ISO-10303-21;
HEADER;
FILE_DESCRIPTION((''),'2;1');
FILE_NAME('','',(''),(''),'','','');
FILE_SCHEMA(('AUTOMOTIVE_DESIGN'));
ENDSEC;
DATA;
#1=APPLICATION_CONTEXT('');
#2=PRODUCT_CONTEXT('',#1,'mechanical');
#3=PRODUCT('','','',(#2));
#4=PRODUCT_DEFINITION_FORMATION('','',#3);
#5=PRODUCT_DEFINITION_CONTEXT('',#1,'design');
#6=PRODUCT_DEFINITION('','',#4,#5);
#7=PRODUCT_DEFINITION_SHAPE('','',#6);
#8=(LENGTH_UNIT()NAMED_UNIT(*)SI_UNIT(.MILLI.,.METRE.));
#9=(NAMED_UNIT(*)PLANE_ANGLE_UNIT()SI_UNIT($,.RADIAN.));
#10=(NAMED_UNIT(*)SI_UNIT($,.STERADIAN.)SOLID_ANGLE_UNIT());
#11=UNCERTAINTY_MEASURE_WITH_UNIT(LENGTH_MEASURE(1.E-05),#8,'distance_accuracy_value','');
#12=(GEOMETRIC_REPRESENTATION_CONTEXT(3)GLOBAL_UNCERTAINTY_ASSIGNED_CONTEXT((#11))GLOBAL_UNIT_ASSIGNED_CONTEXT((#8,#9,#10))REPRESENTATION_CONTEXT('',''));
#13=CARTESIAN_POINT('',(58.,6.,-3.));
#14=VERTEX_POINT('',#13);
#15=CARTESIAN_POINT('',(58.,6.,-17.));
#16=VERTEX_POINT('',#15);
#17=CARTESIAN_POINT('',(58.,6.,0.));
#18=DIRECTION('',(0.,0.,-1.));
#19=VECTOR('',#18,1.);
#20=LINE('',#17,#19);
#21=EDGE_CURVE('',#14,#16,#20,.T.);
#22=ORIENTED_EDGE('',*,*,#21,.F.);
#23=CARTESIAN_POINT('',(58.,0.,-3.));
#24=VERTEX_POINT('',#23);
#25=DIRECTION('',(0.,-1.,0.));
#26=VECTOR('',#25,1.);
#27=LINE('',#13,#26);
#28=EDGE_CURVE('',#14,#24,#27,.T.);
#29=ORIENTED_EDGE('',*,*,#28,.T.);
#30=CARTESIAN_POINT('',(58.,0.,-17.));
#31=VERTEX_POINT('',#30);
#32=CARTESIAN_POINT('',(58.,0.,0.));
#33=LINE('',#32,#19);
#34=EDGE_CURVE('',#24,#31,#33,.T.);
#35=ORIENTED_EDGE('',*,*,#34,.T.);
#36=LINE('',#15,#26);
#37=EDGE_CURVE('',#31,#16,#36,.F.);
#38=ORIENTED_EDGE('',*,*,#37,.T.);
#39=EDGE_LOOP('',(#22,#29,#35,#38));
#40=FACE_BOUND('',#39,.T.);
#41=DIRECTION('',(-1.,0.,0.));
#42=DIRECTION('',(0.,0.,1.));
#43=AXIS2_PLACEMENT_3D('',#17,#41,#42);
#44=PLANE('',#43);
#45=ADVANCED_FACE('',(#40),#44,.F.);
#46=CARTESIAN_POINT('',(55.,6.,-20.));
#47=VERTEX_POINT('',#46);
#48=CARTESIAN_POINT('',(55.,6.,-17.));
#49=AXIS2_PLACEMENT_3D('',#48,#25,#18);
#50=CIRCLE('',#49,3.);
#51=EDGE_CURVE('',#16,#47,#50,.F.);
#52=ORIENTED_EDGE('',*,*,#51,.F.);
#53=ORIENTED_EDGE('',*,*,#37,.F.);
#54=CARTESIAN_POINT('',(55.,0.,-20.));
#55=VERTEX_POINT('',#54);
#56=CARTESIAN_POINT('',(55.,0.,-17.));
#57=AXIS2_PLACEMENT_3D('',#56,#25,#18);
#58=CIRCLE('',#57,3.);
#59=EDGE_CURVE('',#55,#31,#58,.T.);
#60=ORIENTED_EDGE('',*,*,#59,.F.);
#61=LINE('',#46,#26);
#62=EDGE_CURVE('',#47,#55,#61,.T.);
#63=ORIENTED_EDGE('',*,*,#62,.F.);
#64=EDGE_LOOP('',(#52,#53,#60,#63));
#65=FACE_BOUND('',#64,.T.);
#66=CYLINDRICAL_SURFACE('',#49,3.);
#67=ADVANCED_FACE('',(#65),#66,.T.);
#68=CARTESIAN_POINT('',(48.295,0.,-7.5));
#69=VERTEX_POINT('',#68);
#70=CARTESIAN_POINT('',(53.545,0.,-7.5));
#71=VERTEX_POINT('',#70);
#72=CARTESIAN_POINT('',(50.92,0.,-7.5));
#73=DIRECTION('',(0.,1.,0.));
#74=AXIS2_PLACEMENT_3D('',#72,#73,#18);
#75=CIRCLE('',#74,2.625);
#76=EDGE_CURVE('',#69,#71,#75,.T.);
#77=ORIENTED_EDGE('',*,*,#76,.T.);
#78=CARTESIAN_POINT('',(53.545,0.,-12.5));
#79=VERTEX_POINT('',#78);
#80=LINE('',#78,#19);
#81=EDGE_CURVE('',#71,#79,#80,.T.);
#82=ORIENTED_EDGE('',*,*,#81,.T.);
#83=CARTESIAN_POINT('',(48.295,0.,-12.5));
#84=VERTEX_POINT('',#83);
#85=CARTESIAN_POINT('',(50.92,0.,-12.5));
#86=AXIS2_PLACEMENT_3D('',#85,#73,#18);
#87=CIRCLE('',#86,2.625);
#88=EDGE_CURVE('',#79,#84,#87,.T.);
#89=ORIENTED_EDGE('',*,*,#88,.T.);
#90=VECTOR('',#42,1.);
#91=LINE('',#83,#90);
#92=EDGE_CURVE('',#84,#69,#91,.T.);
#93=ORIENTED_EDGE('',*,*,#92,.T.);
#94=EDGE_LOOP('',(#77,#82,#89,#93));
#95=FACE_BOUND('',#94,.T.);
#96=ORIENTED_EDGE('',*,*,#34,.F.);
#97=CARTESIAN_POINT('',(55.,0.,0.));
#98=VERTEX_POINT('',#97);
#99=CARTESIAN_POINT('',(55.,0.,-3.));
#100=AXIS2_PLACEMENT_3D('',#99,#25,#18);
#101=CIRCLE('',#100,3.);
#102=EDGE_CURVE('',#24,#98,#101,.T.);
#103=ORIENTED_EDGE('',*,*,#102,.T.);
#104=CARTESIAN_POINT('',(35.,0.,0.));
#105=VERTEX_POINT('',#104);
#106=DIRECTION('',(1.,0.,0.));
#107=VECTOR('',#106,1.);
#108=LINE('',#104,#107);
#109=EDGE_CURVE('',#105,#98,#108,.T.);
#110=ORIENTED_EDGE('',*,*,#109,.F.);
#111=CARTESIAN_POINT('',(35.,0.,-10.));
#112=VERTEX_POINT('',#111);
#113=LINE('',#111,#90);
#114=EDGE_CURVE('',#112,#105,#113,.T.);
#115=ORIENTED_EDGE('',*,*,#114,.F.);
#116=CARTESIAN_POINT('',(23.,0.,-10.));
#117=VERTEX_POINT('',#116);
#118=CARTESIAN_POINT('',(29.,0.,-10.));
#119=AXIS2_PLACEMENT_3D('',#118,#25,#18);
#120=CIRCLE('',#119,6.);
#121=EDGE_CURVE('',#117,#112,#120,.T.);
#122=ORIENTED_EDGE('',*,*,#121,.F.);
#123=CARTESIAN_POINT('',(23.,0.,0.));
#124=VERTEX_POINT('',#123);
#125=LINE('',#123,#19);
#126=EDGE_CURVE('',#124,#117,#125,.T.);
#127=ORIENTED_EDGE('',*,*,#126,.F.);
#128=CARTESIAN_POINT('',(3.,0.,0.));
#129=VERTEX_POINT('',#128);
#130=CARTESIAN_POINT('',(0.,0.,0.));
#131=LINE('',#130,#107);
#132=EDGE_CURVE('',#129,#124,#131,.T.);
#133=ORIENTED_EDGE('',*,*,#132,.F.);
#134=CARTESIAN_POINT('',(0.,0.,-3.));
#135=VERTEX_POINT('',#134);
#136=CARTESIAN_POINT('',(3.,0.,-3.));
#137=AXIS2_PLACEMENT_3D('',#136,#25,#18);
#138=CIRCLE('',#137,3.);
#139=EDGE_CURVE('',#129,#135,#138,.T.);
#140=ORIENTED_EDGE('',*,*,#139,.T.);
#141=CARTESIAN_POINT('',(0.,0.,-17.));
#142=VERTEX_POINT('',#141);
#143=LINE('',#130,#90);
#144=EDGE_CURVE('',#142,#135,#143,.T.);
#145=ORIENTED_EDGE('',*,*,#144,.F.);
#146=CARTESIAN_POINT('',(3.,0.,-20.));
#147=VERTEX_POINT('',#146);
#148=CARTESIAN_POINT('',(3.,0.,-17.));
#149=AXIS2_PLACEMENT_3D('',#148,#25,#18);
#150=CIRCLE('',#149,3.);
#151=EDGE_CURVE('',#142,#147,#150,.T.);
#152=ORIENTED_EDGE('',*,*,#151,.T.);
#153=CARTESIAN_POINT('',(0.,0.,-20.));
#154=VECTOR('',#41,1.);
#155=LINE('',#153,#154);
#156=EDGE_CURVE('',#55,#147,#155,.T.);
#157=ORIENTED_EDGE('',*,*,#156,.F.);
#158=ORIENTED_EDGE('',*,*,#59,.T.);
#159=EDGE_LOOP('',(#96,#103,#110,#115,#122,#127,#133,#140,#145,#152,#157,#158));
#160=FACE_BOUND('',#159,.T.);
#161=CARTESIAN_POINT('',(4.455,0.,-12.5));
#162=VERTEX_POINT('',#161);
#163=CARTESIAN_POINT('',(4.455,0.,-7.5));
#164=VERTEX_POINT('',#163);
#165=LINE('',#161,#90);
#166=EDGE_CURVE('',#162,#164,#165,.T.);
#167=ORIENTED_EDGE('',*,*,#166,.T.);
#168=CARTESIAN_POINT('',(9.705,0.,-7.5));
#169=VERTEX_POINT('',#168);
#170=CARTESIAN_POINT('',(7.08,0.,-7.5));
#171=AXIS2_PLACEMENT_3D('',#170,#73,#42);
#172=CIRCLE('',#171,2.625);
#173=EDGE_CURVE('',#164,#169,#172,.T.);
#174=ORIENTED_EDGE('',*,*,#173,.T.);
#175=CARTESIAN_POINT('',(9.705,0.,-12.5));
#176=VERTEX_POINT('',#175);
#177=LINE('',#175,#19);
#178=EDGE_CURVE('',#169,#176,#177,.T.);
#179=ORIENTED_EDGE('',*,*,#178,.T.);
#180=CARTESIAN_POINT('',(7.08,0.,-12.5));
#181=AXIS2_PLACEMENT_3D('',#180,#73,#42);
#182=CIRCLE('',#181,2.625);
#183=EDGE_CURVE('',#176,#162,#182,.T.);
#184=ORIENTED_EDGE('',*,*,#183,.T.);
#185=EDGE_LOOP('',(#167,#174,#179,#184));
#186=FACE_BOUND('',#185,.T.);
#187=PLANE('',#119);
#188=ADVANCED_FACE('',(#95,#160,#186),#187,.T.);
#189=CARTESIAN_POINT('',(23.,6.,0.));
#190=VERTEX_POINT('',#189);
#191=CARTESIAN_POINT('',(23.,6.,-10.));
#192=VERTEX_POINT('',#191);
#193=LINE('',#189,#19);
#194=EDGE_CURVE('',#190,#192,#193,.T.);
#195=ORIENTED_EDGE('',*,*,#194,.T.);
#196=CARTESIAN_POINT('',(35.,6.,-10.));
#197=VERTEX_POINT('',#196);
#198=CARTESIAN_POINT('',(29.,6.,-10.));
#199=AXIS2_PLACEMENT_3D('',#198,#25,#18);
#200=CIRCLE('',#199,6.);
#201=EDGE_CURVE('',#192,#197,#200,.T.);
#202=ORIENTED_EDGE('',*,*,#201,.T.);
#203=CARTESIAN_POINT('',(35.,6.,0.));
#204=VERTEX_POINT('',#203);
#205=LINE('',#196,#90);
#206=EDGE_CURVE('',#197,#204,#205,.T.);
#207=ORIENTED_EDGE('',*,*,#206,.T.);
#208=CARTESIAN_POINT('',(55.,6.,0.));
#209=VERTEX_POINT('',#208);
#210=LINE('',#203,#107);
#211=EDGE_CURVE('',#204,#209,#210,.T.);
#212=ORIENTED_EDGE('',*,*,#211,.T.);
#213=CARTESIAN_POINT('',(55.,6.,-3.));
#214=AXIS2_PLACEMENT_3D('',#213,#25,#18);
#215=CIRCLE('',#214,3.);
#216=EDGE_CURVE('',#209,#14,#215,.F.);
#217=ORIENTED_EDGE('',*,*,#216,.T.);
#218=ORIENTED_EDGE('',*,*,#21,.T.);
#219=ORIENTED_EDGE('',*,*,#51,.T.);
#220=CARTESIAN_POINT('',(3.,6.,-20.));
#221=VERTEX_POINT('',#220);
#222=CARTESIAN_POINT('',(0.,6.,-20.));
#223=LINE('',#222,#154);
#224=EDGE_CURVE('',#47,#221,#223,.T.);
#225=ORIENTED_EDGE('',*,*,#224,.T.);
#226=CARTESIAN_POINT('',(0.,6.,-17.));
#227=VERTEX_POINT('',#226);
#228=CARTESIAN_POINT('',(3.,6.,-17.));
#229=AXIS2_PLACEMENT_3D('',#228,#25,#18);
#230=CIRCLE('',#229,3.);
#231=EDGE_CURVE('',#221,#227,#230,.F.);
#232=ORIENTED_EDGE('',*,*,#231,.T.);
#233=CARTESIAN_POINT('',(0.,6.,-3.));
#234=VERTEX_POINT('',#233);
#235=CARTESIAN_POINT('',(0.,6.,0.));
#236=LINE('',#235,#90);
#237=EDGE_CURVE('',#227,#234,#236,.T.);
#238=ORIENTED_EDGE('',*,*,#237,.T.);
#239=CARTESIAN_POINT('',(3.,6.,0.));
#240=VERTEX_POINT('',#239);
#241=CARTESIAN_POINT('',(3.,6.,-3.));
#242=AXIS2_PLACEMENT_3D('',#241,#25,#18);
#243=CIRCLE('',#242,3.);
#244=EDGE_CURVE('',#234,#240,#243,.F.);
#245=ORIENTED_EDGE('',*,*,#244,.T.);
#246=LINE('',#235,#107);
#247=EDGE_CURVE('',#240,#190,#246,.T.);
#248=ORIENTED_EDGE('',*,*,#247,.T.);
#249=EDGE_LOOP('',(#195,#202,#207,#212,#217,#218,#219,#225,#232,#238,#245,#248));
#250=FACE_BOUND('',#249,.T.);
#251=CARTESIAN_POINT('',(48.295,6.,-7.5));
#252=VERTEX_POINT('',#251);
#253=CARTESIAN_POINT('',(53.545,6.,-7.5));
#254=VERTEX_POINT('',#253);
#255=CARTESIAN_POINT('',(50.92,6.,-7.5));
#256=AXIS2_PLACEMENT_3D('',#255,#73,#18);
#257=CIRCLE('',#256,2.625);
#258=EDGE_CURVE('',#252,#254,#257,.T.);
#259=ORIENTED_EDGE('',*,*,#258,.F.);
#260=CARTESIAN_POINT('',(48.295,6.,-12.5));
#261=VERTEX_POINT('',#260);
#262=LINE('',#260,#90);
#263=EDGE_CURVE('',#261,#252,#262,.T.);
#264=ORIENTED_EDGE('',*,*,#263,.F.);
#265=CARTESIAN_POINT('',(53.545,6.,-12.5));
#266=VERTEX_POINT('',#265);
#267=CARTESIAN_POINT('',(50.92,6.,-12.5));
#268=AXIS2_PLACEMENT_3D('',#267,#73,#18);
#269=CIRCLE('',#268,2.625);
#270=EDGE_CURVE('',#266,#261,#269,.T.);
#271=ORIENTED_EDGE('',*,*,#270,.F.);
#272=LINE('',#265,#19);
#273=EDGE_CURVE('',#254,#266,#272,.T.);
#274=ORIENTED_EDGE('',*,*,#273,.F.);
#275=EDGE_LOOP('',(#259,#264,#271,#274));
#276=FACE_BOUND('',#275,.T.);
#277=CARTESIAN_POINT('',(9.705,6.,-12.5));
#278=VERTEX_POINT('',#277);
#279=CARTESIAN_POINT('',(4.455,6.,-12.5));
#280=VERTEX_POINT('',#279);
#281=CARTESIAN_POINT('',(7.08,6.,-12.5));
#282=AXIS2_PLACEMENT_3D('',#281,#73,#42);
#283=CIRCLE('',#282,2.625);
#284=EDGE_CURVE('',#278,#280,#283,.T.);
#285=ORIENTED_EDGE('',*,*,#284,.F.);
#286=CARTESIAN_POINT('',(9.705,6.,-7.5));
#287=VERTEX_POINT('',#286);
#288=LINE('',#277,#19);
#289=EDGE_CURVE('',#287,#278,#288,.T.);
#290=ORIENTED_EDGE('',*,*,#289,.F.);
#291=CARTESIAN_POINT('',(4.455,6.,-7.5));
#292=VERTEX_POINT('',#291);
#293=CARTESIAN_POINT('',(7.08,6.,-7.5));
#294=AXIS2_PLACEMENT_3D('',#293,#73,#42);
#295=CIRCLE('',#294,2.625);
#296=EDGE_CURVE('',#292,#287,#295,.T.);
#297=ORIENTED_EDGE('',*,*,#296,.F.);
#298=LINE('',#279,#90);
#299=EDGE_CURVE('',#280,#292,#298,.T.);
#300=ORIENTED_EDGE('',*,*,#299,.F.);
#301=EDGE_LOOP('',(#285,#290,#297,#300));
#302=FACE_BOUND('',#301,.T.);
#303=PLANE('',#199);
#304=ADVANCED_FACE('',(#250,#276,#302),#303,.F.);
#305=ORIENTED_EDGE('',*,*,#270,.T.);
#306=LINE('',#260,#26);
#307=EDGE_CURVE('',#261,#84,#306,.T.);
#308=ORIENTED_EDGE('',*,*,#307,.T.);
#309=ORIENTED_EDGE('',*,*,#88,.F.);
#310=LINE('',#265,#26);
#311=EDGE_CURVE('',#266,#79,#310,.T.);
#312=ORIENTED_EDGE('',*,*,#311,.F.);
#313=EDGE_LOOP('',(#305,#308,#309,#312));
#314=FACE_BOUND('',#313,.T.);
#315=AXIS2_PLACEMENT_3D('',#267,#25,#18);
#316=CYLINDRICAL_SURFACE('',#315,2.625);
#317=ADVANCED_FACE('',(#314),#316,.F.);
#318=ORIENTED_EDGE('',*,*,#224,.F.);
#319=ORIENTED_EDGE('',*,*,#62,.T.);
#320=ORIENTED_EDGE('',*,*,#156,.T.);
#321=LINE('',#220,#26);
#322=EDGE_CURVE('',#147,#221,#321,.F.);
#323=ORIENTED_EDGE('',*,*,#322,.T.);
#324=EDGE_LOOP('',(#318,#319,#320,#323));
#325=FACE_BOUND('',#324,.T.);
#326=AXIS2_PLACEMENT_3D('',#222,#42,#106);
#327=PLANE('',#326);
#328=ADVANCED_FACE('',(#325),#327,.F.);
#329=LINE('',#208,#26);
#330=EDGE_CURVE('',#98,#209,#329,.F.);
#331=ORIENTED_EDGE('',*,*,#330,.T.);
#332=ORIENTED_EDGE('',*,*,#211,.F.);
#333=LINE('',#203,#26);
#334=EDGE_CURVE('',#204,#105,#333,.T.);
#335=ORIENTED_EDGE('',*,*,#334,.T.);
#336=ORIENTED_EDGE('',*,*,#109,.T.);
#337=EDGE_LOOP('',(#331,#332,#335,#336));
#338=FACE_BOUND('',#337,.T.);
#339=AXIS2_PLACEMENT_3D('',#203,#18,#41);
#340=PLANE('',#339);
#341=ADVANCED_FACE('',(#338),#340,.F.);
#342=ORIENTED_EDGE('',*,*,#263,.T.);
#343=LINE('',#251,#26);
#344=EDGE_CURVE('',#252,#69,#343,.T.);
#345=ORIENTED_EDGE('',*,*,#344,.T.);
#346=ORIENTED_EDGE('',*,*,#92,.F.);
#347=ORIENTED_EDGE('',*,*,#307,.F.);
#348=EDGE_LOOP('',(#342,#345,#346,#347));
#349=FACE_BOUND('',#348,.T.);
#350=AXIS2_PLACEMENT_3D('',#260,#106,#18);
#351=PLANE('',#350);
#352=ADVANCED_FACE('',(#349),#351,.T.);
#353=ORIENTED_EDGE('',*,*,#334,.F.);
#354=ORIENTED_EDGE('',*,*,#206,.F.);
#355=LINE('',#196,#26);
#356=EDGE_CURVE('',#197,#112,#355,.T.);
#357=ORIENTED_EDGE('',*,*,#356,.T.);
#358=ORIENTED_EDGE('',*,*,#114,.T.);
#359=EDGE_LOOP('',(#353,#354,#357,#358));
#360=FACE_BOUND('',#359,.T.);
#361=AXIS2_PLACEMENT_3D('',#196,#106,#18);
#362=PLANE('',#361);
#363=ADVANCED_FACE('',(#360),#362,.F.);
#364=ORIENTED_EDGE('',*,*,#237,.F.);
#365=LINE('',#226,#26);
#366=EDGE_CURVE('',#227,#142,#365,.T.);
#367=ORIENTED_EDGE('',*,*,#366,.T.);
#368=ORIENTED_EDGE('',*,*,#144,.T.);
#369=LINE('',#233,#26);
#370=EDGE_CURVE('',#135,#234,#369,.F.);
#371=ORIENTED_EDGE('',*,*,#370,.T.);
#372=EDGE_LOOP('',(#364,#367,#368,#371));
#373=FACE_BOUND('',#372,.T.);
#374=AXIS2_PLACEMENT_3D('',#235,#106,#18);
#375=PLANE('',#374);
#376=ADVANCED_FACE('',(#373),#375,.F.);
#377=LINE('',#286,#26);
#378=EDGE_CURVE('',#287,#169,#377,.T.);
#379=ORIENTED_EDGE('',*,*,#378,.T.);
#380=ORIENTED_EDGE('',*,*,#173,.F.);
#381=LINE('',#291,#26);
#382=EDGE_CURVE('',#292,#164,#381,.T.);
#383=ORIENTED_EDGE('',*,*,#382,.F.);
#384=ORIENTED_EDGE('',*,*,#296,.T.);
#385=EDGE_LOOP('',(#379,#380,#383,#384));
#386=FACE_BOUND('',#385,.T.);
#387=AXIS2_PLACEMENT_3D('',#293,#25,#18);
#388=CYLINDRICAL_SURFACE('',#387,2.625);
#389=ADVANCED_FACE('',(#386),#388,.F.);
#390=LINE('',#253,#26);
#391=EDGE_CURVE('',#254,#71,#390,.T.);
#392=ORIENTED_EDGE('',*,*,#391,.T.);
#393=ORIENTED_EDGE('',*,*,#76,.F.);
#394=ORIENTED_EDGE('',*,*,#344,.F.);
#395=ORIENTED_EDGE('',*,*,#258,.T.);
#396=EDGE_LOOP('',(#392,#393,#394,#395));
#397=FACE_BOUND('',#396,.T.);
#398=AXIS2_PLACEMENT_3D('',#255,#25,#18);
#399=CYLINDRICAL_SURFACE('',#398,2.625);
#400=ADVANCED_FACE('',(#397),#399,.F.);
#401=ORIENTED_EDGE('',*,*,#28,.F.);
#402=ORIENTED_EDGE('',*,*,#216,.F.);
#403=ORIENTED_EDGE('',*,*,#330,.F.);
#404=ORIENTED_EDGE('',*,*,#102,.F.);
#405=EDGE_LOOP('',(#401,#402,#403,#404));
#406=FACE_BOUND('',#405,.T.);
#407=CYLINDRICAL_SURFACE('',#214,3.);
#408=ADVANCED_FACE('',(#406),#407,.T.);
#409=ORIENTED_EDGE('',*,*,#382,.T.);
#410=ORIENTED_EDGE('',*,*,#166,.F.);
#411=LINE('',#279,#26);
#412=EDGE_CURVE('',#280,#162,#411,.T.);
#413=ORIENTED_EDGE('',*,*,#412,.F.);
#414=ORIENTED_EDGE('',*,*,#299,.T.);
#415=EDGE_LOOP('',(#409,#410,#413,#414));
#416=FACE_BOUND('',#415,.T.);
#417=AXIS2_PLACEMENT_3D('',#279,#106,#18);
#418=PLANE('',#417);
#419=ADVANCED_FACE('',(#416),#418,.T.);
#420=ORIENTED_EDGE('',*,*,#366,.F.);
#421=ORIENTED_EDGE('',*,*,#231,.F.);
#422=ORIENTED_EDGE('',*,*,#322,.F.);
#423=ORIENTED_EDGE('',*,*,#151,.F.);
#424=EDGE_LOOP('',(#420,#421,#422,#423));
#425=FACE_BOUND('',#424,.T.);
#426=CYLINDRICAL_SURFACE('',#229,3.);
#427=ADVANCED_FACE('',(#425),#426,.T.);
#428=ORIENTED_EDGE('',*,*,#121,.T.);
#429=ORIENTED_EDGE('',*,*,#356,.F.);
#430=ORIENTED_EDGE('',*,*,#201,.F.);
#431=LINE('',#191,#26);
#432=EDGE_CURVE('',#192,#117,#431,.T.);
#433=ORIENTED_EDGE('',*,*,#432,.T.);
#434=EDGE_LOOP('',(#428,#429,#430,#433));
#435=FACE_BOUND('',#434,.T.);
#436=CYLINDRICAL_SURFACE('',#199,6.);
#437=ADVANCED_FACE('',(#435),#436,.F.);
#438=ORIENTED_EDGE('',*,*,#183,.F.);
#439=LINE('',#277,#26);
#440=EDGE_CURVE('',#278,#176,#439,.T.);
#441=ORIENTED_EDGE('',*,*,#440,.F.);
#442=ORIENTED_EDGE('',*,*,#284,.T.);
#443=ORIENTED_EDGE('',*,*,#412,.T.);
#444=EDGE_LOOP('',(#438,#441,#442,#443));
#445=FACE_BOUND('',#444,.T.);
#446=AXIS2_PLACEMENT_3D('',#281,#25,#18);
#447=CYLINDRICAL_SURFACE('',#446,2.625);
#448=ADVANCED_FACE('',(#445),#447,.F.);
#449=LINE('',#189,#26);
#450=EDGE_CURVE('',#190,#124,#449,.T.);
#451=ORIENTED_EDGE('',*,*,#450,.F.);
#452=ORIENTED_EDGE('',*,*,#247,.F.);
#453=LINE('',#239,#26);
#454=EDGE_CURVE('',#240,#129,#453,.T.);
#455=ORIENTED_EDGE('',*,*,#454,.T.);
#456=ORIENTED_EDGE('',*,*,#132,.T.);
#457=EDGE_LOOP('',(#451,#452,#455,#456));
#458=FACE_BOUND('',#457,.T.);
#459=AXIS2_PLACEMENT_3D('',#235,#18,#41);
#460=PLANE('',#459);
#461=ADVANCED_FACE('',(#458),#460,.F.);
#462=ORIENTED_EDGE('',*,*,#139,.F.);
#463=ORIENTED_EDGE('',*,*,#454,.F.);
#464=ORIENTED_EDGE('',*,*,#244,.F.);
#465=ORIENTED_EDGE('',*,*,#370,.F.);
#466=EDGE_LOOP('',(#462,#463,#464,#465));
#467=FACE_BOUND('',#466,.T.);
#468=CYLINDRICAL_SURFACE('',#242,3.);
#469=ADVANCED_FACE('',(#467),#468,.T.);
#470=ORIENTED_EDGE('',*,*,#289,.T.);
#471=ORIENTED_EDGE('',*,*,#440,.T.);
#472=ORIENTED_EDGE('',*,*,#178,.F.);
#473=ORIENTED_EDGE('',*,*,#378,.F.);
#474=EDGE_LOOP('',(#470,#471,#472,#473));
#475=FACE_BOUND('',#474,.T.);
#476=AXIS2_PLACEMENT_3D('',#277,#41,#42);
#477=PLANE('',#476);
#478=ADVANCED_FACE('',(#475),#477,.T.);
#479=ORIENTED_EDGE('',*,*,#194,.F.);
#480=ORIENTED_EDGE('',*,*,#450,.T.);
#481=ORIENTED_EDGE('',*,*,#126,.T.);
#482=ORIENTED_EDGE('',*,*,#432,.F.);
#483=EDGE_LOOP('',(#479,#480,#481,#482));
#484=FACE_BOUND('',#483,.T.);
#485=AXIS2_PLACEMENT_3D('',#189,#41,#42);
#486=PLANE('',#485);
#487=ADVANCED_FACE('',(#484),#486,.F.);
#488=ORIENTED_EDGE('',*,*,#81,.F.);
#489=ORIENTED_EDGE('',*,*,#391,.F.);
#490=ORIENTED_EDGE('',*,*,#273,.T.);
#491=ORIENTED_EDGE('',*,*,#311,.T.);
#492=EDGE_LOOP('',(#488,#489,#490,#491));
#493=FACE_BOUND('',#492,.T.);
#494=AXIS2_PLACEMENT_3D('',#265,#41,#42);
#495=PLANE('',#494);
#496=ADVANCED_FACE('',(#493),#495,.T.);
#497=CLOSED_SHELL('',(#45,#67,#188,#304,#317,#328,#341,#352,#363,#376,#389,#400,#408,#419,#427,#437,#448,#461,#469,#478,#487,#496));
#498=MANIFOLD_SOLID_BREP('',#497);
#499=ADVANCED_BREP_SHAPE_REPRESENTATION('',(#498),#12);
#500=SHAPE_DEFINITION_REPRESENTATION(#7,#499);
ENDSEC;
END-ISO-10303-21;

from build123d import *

# Parameters (mm, degrees)
BOSS_EXTRUDE1_DEPTH = 6
FILLET1_R           = 3


with BuildPart() as part:
    # Sketch1 → Boss-Extrude1 (new body)
    with BuildSketch(Plane(origin=(0, 0, 0), x_dir=(1, 0, 0), z_dir=(0, 1, 0))):
        with BuildLine():
            Line((0, 0), (23, 0))
            Line((23, 0), (23, 10))
            ThreePointArc((23, 10), (29, 16), (35, 10))
            Line((35, 10), (35, 0))
            Line((35, 0), (58, 0))
            Line((58, 0), (58, 20))
            Line((58, 20), (0, 20))
            Line((0, 20), (0, 0))
        make_face()
        with BuildLine():
            Line((9.705, 12.5), (9.705, 7.5))
            ThreePointArc((9.705, 7.5), (7.08, 4.875), (4.455, 7.5))
            Line((4.455, 7.5), (4.455, 12.5))
            ThreePointArc((4.455, 12.5), (7.08, 15.125), (9.705, 12.5))
        make_face(mode=Mode.SUBTRACT)
        with BuildLine():
            Line((48.295, 12.5), (48.295, 7.5))
            ThreePointArc((48.295, 7.5), (50.92, 4.875), (53.545, 7.5))
            Line((53.545, 7.5), (53.545, 12.5))
            ThreePointArc((53.545, 12.5), (50.92, 15.125), (48.295, 12.5))
        make_face(mode=Mode.SUBTRACT)
    extrude(amount=BOSS_EXTRUDE1_DEPTH)

    # Fillet1
    fillet1_edges = [part.edges().sort_by_distance(p)[0] for p in [
        (0, 3, -20),
        (58, 3, -20),
        (58, 3, 0),
        (0, 3, 0),
    ]]
    fillet(fillet1_edges, radius=FILLET1_R)


solid = part.part
